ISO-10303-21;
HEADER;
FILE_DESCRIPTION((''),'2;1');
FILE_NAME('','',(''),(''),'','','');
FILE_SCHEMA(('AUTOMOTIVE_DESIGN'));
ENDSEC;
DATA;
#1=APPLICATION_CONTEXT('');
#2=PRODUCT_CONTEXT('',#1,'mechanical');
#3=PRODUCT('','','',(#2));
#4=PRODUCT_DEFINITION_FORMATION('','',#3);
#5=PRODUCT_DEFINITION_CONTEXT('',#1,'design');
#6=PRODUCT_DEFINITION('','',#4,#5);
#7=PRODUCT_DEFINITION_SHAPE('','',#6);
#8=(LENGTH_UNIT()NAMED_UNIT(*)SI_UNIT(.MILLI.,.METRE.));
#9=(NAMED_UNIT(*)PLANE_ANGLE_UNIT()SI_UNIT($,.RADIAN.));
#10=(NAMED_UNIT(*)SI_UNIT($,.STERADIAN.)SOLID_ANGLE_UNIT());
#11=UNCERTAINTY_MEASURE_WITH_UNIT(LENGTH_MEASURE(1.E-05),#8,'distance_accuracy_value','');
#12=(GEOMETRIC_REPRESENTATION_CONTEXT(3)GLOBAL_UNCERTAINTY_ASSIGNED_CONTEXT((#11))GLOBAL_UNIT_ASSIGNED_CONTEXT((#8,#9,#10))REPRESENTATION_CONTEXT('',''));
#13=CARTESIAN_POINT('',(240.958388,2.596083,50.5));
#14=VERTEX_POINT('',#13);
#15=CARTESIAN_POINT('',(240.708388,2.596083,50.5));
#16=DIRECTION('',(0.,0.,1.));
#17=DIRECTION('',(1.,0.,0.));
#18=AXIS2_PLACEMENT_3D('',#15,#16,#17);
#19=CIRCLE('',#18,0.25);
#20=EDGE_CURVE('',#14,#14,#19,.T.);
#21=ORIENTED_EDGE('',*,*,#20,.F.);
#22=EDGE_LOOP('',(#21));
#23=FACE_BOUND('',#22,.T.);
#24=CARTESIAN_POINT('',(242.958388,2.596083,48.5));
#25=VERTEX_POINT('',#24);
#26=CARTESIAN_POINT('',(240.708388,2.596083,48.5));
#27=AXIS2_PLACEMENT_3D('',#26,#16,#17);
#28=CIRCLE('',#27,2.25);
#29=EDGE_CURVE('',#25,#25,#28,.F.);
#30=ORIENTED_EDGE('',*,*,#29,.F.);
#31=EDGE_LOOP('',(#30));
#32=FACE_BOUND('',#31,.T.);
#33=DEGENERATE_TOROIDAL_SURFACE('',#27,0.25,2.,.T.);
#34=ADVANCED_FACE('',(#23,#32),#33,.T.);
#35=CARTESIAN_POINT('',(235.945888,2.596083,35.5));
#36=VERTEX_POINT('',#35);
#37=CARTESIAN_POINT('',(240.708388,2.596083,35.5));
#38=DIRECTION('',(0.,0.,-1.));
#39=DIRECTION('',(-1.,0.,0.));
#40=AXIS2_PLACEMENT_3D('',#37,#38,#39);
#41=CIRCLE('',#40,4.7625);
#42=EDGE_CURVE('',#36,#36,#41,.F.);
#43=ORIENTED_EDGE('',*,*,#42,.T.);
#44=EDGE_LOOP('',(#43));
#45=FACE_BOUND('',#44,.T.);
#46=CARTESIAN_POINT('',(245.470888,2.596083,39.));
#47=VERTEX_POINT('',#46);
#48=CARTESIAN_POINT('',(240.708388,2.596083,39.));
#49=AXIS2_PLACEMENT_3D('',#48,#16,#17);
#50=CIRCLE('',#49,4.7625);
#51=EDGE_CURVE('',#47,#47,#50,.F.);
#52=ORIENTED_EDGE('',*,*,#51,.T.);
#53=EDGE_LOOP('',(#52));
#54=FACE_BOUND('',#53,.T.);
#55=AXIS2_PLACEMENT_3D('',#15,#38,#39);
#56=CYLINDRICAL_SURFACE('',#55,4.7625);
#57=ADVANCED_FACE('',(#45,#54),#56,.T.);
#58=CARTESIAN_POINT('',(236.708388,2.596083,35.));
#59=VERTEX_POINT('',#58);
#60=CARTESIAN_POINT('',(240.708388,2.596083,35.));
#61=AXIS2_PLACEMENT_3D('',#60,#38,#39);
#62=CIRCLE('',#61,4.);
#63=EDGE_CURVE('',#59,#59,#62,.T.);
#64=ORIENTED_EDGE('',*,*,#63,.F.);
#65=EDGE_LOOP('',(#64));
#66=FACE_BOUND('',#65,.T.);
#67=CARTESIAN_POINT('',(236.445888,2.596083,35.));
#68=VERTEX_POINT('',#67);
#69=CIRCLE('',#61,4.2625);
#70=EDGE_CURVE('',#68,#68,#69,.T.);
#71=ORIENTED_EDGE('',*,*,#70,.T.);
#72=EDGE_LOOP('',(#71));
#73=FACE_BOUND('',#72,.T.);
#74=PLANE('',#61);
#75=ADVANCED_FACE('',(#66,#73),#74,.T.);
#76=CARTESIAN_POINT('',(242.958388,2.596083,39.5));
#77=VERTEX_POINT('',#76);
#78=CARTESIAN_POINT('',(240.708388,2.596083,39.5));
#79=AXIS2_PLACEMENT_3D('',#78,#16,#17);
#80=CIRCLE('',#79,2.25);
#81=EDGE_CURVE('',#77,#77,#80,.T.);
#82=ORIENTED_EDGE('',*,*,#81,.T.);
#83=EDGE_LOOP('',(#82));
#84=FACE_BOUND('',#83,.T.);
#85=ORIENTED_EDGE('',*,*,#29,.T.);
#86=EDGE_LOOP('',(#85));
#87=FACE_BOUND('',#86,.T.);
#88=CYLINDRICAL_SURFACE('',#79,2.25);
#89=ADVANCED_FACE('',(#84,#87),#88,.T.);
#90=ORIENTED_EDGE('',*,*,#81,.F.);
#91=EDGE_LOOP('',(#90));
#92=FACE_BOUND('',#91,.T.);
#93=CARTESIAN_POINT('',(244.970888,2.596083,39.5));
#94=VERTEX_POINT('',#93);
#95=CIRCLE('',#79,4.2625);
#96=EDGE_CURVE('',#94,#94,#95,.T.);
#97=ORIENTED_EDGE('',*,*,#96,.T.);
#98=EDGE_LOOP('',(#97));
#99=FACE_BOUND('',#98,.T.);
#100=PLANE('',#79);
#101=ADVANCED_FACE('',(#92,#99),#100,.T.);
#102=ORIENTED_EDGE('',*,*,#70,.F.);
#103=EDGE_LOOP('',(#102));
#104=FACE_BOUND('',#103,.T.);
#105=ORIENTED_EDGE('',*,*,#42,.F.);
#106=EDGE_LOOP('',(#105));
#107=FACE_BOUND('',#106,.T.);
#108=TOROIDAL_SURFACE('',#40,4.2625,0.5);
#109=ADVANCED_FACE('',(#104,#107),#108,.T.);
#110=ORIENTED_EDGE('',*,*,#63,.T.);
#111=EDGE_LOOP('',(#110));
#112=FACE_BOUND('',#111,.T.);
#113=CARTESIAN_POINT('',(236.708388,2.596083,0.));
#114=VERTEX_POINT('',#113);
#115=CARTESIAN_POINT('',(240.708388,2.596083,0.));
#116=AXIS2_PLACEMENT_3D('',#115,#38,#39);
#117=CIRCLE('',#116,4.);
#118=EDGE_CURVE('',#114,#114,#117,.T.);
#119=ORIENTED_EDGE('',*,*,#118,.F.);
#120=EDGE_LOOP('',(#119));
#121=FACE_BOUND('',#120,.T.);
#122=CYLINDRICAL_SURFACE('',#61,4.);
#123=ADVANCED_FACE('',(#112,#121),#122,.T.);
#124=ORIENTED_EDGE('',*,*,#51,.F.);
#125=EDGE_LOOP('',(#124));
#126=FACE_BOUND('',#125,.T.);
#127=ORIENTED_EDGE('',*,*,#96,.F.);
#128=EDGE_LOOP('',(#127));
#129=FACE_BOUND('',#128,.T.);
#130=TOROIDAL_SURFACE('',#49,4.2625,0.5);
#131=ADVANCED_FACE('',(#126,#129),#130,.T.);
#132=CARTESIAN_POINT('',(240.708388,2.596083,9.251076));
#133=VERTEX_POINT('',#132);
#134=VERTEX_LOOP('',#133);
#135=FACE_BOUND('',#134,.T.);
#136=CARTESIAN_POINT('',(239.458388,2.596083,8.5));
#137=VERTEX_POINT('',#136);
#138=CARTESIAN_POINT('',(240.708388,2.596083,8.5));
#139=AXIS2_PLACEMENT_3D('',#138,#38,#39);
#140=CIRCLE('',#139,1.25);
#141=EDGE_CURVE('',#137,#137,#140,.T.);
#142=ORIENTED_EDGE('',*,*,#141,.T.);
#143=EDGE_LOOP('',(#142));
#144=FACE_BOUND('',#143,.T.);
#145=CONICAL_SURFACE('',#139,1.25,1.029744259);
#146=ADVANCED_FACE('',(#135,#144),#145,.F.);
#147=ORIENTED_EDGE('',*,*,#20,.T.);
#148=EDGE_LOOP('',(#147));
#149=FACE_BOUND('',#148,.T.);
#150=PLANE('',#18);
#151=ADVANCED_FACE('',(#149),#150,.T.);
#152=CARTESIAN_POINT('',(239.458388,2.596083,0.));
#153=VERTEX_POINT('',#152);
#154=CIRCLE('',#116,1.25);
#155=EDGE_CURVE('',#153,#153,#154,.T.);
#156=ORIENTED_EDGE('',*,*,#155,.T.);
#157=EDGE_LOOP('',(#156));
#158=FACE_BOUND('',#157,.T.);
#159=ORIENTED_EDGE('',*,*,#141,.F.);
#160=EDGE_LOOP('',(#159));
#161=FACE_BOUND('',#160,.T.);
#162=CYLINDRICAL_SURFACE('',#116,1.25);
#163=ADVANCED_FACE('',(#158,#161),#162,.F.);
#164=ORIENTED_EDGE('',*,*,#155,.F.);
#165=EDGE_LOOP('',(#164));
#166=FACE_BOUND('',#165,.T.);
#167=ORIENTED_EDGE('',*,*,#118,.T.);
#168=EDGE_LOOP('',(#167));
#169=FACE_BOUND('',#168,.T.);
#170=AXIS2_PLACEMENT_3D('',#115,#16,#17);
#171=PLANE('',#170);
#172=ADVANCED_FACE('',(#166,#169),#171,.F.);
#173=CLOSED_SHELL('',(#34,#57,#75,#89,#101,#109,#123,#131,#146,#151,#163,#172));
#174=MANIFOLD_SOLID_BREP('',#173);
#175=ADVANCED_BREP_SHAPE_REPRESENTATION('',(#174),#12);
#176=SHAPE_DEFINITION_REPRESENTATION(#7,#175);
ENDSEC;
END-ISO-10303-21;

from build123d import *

# Parameters (mm, degrees)
ESBO_O1_R                     = 4.7625
RESSALTO_EXTRUS_O1_DEPTH      = 50.5
FURO_ROSCADO_DE_M3X0_52_D     = 2.5
FURO_ROSCADO_DE_M3X0_52_DEPTH = 8.5
FURO_ROSCADO_DE_M3X0_52_TIP   = 0.751075774
ESBO_O8_OUTSIDE_W             = 21.979
ESBO_O8_OUTSIDE_H             = 21.979
ESBO_O8_OUTSIDE_R             = 4
CORTE_EXTRUS_O1_DEPTH         = 35
ESBO_O10_OUTSIDE_W            = 21.979
ESBO_O10_OUTSIDE_H            = 21.979
ESBO_O10_OUTSIDE_R            = 2.25
CORTE_EXTRUS_O2_DEPTH         = 11
FILETE1_R                     = 0.5
FILETE2_R                     = 2


with BuildPart() as part:
    # Esboço1 → Ressalto-extrusão1 (new body)
    with BuildSketch(Plane.XY):
        with Locations((240.708388302, 2.596082859)):
            Circle(ESBO_O1_R)
    extrude(amount=RESSALTO_EXTRUS_O1_DEPTH)

    # Furo roscado de M3x0.52
    with Locations(Plane(origin=(0, 0, 0), x_dir=(-1, 0, 0), z_dir=(0, 0, -1))):
        with Locations((-240.708388302, 2.596082859)):
            Hole(FURO_ROSCADO_DE_M3X0_52_D / 2, depth=FURO_ROSCADO_DE_M3X0_52_DEPTH)
            with Locations((0, 0, -(FURO_ROSCADO_DE_M3X0_52_DEPTH + FURO_ROSCADO_DE_M3X0_52_TIP / 2))):  # 118° drill point
                Cone(0, FURO_ROSCADO_DE_M3X0_52_D / 2, FURO_ROSCADO_DE_M3X0_52_TIP, mode=Mode.SUBTRACT)

    # Esboço8 outside → Corte-extrusão1 (cut)
    with BuildSketch(Plane(origin=(0, 0, 0), x_dir=(-1, 0, 0), z_dir=(0, 0, -1))):
        with Locations((-240.7085, 2.5965)):
            Rectangle(ESBO_O8_OUTSIDE_W, ESBO_O8_OUTSIDE_H)
        with Locations((-240.708388302, 2.596082859)):
            Circle(ESBO_O8_OUTSIDE_R, mode=Mode.SUBTRACT)
    extrude(amount=-CORTE_EXTRUS_O1_DEPTH, mode=Mode.SUBTRACT)

    # Esboço10 outside → Corte-extrusão2 (cut)
    with BuildSketch(Plane.XY.offset(50.5)):
        with Locations((240.7085, 2.5965)):
            Rectangle(ESBO_O10_OUTSIDE_W, ESBO_O10_OUTSIDE_H)
        with Locations((240.708388302, 2.596082859)):
            Circle(ESBO_O10_OUTSIDE_R, mode=Mode.SUBTRACT)
    extrude(amount=-CORTE_EXTRUS_O2_DEPTH, mode=Mode.SUBTRACT)

    # Filete1
    filete1_edges = [part.edges().sort_by_distance(p)[0] for p in [
        (235.945888302, 2.596082859, 35),
        (235.945888302, 2.596082859, 39.5),
    ]]
    fillet(filete1_edges, radius=FILETE1_R)

    # Filete2
    filete2_edges = [part.edges().sort_by_distance(p)[0] for p in [
        (238.458388302, 2.596082859, 50.5),
    ]]
    fillet(filete2_edges, radius=FILETE2_R)


solid = part.part
